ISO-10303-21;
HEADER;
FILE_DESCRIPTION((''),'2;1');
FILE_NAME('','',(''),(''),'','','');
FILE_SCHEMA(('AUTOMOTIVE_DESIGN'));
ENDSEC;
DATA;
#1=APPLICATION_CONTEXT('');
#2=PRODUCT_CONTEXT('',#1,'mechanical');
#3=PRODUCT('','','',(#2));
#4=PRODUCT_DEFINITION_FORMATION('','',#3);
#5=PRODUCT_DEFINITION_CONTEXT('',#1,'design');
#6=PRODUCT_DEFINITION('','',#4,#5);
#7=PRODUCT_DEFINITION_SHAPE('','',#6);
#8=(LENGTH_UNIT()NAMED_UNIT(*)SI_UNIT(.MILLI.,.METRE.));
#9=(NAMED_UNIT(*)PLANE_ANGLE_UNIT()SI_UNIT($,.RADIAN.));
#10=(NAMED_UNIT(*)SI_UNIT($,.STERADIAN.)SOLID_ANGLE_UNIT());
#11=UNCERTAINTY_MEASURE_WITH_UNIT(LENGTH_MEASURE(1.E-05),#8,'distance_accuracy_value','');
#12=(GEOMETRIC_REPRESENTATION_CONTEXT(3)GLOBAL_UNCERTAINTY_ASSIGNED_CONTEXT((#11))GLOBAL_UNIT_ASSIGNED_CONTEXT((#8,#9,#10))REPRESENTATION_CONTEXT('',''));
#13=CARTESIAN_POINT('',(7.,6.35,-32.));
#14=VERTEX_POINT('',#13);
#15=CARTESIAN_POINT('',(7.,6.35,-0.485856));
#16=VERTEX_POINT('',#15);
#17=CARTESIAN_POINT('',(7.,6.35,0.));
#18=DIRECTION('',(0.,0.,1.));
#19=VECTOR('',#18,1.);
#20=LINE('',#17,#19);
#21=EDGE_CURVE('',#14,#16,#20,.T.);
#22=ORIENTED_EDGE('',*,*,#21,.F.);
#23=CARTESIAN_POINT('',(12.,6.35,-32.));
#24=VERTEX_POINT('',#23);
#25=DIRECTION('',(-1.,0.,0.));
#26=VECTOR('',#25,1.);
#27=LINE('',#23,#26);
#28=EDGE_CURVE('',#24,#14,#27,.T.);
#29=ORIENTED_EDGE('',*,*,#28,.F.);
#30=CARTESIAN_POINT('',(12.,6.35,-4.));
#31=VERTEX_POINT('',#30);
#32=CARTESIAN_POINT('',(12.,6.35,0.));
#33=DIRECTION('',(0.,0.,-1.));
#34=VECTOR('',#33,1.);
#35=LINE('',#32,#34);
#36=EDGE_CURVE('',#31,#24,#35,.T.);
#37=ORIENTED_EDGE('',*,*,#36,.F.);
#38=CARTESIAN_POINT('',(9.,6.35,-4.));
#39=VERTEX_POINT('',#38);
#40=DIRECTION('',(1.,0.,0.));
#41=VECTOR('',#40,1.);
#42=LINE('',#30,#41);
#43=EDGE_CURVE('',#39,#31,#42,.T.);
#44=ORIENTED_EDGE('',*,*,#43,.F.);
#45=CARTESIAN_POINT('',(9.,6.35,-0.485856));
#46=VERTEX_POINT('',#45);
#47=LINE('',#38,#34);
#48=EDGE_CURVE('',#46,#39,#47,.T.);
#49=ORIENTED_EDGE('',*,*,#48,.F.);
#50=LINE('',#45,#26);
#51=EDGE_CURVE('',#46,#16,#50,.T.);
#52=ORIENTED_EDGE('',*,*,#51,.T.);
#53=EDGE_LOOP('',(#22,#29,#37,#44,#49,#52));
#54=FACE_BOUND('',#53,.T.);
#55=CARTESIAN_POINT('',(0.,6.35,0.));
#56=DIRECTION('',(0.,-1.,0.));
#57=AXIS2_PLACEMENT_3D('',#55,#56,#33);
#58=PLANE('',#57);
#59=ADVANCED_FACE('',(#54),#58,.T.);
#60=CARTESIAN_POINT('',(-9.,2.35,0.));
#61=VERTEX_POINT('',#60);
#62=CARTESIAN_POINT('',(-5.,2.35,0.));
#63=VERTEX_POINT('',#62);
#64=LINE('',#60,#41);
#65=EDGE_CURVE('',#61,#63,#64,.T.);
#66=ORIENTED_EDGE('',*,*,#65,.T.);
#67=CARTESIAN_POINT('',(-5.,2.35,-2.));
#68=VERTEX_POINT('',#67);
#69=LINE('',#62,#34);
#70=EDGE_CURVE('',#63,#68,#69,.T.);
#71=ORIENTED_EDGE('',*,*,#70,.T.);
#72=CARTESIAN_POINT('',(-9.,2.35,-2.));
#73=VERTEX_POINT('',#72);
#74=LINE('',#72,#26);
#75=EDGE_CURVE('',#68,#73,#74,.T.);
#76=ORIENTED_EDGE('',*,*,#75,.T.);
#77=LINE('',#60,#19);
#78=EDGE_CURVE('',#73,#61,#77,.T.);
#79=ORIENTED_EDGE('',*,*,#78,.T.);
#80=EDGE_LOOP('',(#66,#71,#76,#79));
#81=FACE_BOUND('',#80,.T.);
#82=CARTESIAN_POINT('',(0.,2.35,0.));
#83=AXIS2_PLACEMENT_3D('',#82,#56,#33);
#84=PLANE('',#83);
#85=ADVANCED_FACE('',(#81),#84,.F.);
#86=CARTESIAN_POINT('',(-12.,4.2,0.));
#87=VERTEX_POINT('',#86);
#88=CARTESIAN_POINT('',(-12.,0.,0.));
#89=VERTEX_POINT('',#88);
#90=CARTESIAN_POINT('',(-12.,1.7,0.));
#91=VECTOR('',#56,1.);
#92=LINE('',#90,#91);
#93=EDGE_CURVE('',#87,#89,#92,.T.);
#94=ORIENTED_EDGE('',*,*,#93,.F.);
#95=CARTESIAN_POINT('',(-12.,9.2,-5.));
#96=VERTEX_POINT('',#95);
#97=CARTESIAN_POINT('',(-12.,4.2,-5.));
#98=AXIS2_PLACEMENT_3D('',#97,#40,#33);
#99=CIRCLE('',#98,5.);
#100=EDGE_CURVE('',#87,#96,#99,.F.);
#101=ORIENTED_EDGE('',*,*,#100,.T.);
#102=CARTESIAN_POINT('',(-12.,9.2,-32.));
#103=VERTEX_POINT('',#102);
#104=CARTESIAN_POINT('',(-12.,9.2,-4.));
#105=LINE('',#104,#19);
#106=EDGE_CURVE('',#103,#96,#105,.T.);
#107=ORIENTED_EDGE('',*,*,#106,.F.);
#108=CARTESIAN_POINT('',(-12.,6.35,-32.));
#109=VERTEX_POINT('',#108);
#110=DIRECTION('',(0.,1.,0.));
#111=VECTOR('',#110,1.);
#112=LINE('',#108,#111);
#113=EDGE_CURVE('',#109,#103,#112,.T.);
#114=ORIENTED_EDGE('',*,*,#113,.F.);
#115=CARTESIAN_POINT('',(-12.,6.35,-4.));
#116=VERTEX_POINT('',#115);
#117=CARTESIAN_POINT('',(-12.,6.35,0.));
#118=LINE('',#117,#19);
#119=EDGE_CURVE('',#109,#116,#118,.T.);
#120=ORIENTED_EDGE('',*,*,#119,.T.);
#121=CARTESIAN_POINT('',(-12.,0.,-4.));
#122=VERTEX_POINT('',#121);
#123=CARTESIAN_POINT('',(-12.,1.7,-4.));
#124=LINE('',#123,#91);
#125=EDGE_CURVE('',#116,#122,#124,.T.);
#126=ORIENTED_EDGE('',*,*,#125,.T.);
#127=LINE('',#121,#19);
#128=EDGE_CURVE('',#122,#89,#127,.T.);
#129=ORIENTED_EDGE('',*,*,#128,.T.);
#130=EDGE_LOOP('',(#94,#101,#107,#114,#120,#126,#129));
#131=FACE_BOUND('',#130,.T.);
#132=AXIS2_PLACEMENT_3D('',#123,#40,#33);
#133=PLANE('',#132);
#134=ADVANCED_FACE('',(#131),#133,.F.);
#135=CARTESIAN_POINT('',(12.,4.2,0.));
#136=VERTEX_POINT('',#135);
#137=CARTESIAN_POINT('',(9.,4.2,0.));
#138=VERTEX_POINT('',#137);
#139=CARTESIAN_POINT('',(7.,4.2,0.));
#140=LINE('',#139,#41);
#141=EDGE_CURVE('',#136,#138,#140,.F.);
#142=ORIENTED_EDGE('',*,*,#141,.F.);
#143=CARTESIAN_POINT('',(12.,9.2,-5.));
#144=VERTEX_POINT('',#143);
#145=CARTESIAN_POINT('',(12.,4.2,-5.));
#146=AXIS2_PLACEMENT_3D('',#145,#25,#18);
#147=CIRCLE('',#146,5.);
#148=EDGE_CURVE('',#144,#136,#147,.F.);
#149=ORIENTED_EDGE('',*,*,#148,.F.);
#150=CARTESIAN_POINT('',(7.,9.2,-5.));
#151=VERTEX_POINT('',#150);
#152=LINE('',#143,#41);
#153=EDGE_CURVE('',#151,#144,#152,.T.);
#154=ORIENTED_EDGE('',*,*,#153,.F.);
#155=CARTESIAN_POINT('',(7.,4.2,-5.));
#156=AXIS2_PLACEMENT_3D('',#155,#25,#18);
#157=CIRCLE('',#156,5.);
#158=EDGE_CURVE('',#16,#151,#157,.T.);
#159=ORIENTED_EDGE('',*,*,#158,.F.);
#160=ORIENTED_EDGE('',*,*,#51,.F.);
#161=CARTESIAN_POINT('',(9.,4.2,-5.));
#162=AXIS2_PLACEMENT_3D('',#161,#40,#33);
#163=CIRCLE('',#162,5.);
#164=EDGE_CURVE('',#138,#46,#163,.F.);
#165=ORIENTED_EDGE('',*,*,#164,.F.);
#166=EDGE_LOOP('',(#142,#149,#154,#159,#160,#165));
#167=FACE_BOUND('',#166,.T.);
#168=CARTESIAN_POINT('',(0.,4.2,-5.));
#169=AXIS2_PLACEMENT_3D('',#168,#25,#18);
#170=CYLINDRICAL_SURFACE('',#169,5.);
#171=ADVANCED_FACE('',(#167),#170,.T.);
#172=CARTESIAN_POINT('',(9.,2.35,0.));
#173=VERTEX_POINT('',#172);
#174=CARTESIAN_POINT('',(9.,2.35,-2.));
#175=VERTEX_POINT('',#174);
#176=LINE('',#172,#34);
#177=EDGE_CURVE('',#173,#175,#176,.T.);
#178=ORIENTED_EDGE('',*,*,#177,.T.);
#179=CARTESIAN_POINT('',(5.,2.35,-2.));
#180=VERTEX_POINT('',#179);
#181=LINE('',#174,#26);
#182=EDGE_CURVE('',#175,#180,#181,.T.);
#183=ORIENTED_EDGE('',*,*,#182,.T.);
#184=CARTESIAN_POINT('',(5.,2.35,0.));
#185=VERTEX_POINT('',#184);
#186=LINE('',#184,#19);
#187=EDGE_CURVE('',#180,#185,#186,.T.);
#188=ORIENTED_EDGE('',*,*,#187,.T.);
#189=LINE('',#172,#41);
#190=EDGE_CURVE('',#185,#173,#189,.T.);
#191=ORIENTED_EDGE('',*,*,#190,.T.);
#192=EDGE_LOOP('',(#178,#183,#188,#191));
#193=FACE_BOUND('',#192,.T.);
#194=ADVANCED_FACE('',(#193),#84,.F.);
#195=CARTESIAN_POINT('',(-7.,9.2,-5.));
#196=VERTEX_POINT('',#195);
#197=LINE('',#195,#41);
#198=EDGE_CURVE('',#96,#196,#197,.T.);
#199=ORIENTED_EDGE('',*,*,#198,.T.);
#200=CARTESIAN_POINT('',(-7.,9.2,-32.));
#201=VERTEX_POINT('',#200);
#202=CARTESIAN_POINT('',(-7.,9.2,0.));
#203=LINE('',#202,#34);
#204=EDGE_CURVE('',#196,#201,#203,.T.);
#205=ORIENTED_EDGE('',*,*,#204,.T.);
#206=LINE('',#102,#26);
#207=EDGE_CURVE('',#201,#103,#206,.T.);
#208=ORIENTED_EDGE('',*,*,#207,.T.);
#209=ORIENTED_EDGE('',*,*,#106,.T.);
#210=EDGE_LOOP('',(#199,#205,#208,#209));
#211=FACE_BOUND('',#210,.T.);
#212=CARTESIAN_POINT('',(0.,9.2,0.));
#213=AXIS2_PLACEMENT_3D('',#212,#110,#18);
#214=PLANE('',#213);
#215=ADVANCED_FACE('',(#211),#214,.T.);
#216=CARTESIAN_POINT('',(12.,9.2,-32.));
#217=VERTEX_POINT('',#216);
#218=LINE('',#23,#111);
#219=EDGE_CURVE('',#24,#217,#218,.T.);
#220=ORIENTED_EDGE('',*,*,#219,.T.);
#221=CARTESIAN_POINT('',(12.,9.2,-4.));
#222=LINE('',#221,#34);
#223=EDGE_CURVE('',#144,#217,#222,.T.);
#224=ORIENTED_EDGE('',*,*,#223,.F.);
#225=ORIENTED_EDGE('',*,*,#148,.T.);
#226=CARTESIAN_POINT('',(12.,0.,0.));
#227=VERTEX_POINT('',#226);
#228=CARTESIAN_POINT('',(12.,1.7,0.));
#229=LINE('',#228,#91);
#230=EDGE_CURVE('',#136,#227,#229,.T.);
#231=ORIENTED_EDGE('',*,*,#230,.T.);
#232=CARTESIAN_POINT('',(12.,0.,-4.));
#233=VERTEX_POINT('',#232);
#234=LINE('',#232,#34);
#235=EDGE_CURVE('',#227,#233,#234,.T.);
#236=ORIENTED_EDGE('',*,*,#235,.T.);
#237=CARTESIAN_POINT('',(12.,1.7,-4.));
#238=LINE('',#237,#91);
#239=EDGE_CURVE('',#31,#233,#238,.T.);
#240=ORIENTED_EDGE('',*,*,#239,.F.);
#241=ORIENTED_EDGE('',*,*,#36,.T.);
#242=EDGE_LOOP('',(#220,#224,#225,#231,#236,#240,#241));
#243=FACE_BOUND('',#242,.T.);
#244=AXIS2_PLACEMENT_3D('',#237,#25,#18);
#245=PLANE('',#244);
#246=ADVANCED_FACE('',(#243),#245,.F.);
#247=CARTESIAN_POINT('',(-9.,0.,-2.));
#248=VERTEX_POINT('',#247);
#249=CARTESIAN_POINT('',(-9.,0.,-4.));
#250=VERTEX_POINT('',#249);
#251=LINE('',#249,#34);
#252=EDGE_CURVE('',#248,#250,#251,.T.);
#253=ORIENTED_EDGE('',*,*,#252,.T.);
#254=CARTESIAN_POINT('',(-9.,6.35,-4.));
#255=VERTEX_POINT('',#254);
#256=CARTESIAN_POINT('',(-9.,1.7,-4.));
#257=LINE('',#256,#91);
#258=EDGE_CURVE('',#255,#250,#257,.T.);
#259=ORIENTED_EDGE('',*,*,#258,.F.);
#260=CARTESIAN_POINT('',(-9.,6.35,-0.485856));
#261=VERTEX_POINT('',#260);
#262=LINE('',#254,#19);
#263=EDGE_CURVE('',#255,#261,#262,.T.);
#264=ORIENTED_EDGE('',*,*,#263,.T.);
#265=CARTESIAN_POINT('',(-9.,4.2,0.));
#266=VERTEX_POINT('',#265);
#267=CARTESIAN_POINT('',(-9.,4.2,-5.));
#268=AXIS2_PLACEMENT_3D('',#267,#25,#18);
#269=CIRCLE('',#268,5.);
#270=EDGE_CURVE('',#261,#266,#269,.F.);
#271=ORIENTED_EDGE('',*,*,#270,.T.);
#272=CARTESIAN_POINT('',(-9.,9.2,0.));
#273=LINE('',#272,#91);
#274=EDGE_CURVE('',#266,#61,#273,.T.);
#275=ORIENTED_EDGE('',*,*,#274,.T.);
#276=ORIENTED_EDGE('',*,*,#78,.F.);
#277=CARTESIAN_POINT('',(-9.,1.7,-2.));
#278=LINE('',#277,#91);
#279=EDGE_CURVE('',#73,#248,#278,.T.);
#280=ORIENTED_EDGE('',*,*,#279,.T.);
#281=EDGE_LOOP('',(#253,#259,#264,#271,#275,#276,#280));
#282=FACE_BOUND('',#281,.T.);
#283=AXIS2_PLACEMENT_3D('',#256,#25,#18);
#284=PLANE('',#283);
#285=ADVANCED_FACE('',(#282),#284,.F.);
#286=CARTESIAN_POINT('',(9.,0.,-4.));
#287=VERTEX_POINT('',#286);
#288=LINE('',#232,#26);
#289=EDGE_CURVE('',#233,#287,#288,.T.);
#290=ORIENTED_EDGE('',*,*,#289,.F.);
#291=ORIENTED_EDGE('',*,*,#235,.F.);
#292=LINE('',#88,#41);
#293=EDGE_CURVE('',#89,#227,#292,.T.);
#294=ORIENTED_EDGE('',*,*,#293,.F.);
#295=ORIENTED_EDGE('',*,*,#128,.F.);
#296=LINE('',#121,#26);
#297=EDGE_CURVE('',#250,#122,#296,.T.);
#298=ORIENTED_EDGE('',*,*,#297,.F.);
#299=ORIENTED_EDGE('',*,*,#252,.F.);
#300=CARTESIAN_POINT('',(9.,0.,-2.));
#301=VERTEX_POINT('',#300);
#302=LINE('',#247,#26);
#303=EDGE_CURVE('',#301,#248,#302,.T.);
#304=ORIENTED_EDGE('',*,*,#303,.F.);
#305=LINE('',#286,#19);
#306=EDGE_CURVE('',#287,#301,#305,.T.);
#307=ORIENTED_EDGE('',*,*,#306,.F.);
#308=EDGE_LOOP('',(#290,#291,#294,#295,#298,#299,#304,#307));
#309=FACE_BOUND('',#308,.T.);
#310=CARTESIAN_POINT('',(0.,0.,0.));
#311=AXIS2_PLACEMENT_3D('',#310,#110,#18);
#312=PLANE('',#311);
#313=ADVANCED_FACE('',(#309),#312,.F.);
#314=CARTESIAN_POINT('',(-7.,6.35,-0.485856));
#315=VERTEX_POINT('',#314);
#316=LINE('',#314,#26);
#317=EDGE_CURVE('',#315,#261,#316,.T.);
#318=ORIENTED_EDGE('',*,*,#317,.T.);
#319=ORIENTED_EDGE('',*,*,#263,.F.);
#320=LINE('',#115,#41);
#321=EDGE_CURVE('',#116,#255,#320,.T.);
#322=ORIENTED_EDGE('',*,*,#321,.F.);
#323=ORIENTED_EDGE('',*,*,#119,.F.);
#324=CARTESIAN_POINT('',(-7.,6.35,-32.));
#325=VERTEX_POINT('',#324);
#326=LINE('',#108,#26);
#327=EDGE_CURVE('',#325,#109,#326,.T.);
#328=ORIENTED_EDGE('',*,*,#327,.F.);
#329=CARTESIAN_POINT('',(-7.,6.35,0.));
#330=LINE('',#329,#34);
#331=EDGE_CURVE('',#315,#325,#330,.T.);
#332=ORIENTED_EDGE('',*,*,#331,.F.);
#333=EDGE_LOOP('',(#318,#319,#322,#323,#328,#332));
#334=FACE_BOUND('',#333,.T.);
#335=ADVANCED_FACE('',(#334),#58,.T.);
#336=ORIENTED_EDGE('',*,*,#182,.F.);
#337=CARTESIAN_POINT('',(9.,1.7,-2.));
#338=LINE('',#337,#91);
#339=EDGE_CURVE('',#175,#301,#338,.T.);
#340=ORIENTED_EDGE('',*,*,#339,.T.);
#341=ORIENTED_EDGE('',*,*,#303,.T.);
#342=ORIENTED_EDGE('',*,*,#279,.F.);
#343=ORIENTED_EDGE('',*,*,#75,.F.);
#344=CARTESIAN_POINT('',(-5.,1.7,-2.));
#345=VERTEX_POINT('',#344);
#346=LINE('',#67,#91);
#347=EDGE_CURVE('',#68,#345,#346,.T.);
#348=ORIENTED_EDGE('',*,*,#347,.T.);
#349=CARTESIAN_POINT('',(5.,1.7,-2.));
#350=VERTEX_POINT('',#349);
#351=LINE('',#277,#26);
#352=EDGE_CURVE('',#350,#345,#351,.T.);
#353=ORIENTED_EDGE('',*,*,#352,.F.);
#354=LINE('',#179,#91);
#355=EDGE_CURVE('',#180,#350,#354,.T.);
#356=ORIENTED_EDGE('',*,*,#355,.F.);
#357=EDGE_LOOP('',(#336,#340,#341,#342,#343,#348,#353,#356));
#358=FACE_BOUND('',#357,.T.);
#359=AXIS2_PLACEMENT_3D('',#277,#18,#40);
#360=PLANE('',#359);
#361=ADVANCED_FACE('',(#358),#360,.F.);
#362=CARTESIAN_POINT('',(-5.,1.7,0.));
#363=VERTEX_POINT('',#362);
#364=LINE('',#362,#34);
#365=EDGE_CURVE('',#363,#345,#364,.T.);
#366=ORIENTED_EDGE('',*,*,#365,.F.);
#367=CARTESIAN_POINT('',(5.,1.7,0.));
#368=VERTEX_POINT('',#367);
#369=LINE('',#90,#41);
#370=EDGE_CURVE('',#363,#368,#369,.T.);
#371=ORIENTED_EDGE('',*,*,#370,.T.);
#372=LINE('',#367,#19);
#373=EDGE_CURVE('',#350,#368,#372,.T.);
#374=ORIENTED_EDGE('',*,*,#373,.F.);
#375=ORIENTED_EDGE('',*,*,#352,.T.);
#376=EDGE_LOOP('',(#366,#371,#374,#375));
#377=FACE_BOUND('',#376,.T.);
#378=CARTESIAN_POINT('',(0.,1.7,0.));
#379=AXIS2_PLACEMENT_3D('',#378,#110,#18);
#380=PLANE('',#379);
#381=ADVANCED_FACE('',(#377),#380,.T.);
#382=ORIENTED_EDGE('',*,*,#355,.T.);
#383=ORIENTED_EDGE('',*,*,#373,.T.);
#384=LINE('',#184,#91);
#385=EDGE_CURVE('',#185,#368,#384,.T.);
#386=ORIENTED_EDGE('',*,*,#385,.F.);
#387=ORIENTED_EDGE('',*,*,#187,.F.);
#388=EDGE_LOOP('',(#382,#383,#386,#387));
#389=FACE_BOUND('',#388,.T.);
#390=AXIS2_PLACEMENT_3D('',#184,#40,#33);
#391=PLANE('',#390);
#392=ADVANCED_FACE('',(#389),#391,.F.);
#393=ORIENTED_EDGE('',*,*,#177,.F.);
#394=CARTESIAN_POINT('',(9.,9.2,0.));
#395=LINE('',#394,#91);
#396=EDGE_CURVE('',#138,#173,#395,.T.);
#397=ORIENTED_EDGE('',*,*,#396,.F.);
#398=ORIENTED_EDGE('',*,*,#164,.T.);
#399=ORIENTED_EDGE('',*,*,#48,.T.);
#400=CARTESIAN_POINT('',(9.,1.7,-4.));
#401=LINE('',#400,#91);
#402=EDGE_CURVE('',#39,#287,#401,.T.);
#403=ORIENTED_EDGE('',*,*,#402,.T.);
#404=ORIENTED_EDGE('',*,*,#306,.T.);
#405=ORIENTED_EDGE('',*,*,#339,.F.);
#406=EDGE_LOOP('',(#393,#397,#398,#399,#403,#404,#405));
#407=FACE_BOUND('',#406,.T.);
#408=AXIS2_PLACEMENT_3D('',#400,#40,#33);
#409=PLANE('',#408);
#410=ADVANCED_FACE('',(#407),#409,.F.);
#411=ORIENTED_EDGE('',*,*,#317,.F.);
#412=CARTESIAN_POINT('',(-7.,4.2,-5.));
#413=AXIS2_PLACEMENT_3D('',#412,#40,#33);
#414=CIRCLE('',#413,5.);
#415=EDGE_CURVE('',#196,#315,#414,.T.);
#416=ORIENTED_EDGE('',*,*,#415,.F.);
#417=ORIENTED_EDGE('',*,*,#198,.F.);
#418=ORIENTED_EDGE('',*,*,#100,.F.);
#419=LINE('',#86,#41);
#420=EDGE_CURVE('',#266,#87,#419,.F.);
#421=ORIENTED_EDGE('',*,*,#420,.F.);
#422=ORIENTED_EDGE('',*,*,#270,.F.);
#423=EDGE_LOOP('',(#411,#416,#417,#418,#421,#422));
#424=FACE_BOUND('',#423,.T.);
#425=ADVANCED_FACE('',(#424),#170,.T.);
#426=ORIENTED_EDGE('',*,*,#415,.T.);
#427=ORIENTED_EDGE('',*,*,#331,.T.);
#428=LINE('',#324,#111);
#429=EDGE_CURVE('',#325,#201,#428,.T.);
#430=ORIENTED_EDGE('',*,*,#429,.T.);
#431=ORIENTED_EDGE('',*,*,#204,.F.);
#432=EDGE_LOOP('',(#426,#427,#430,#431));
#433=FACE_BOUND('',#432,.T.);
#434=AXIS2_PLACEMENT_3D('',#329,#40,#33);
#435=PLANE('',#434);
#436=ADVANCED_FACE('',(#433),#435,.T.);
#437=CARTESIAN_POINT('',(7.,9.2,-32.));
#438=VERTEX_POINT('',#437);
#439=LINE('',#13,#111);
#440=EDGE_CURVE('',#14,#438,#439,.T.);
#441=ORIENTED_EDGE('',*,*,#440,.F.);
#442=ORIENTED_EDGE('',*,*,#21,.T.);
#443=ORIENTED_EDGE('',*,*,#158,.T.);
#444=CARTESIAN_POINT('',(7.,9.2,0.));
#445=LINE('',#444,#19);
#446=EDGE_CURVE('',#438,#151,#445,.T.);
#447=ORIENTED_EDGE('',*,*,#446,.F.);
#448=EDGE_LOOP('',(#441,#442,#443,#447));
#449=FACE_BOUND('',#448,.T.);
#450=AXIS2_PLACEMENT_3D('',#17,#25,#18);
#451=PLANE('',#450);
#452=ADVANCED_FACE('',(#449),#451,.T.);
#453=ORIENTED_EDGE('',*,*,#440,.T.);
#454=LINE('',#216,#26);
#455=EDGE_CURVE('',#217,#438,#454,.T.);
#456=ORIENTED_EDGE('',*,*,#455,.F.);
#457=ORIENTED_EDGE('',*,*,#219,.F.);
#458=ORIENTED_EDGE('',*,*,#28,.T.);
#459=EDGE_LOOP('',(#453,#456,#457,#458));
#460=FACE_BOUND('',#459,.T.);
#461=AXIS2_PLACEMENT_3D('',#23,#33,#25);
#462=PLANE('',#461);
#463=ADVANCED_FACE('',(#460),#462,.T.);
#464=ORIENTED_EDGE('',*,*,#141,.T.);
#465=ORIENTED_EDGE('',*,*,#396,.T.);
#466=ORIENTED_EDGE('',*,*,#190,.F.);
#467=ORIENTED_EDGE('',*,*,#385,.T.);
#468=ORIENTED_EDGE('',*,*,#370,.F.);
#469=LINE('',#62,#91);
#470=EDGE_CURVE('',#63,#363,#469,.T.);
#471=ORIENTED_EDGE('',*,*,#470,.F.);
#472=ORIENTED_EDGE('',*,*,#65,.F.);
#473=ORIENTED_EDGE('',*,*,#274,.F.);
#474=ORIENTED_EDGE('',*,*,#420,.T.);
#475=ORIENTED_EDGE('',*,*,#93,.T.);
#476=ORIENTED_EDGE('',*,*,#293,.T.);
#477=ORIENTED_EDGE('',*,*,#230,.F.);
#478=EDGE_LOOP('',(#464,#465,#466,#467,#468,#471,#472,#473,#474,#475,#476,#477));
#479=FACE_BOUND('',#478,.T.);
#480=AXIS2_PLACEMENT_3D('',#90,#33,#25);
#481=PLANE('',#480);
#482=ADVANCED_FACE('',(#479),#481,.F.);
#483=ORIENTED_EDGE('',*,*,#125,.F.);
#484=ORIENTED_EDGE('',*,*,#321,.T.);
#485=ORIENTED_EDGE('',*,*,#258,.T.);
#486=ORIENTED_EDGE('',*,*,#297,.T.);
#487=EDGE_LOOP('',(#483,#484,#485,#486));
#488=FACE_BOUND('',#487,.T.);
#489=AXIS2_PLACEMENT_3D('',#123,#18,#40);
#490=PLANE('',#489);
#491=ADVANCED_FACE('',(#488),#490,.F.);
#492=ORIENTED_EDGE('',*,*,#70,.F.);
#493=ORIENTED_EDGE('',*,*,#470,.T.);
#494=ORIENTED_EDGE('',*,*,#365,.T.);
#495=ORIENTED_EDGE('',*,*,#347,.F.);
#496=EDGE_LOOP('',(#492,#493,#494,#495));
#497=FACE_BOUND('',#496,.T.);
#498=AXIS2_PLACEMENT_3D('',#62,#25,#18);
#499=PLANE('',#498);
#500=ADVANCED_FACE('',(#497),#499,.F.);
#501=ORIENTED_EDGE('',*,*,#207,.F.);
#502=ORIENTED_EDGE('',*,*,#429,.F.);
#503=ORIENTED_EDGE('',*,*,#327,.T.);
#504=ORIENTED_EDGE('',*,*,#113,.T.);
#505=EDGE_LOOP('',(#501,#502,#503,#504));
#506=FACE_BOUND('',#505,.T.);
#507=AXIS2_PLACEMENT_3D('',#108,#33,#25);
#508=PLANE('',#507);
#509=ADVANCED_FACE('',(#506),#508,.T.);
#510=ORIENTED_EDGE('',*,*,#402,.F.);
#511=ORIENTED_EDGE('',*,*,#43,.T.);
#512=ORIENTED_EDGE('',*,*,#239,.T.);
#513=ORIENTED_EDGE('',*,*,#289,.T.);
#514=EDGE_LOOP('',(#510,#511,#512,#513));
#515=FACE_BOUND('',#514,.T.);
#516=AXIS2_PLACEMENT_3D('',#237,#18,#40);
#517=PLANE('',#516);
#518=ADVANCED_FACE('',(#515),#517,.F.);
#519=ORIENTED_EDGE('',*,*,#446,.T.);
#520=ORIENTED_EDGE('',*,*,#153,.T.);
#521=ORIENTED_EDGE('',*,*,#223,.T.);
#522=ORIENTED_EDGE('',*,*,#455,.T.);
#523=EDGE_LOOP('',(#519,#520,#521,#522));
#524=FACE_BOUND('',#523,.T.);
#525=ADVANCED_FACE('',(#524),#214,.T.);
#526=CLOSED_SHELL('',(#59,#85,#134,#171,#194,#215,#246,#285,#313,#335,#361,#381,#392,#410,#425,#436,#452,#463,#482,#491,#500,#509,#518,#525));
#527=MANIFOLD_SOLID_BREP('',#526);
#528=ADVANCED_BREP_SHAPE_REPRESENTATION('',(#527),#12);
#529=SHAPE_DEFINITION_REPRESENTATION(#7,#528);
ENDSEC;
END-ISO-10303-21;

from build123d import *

# Parameters (mm, degrees)
BOSS_EXTRU_1_DEPTH = 1.7
ESQUISSE2_W        = 3
ESQUISSE2_H        = 4
BOSS_EXTRU_2_DEPTH = 7.5
ESQUISSE3_W        = 5
ESQUISSE3_H        = 32
BOSS_EXTRU_3_DEPTH = 2.85
CONG_1_R           = 5
ESQUISSE4_W        = 4
ESQUISSE4_H        = 2
BOSS_EXTRU_4_DEPTH = 0.65


with BuildPart() as part:
    # Esquisse1 → Boss.-Extru.1 (new body)
    with BuildSketch(Plane(origin=(0, 0, 0), x_dir=(1, 0, 0), z_dir=(0, 1, 0))):
        Polygon((-12, 4), (-9, 4), (-9, 2), (9, 2), (9, 4), (12, 4), (12, 0), (-12, 0), align=None)
    extrude(amount=BOSS_EXTRU_1_DEPTH)

    # Esquisse2 → Boss.-Extru.2 (add)
    with BuildSketch(Plane(origin=(0, 1.7, 0), x_dir=(1, 0, 0), z_dir=(0, 1, 0))):
        with Locations((-10.5, 2)):
            Rectangle(ESQUISSE2_W, ESQUISSE2_H)
        with Locations((10.5, 2)):
            Rectangle(ESQUISSE2_W, ESQUISSE2_H)
    extrude(amount=BOSS_EXTRU_2_DEPTH)

    # Esquisse3 → Boss.-Extru.3 (add)
    with BuildSketch(Plane(origin=(0, 9.2, 0), x_dir=(1, 0, 0), z_dir=(0, 1, 0))):
        with Locations((-9.5, 16)):
            Rectangle(ESQUISSE3_W, ESQUISSE3_H)
        with Locations((9.5, 16)):
            Rectangle(ESQUISSE3_W, ESQUISSE3_H)
    extrude(amount=-BOSS_EXTRU_3_DEPTH)

    # Congé1
    cong_1_edges = [part.edges().sort_by_distance(p)[0] for p in [
        (9.5, 9.2, 0),
        (-9.5, 9.2, 0),
    ]]
    fillet(cong_1_edges, radius=CONG_1_R)

    # Esquisse4 → Boss.-Extru.4 (add)
    with BuildSketch(Plane(origin=(0, 1.7, 0), x_dir=(1, 0, 0), z_dir=(0, 1, 0))):
        with Locations((-7, 1)):
            Rectangle(ESQUISSE4_W, ESQUISSE4_H)
        with Locations((7, 1)):
            Rectangle(ESQUISSE4_W, ESQUISSE4_H)
    extrude(amount=BOSS_EXTRU_4_DEPTH)


solid = part.part
